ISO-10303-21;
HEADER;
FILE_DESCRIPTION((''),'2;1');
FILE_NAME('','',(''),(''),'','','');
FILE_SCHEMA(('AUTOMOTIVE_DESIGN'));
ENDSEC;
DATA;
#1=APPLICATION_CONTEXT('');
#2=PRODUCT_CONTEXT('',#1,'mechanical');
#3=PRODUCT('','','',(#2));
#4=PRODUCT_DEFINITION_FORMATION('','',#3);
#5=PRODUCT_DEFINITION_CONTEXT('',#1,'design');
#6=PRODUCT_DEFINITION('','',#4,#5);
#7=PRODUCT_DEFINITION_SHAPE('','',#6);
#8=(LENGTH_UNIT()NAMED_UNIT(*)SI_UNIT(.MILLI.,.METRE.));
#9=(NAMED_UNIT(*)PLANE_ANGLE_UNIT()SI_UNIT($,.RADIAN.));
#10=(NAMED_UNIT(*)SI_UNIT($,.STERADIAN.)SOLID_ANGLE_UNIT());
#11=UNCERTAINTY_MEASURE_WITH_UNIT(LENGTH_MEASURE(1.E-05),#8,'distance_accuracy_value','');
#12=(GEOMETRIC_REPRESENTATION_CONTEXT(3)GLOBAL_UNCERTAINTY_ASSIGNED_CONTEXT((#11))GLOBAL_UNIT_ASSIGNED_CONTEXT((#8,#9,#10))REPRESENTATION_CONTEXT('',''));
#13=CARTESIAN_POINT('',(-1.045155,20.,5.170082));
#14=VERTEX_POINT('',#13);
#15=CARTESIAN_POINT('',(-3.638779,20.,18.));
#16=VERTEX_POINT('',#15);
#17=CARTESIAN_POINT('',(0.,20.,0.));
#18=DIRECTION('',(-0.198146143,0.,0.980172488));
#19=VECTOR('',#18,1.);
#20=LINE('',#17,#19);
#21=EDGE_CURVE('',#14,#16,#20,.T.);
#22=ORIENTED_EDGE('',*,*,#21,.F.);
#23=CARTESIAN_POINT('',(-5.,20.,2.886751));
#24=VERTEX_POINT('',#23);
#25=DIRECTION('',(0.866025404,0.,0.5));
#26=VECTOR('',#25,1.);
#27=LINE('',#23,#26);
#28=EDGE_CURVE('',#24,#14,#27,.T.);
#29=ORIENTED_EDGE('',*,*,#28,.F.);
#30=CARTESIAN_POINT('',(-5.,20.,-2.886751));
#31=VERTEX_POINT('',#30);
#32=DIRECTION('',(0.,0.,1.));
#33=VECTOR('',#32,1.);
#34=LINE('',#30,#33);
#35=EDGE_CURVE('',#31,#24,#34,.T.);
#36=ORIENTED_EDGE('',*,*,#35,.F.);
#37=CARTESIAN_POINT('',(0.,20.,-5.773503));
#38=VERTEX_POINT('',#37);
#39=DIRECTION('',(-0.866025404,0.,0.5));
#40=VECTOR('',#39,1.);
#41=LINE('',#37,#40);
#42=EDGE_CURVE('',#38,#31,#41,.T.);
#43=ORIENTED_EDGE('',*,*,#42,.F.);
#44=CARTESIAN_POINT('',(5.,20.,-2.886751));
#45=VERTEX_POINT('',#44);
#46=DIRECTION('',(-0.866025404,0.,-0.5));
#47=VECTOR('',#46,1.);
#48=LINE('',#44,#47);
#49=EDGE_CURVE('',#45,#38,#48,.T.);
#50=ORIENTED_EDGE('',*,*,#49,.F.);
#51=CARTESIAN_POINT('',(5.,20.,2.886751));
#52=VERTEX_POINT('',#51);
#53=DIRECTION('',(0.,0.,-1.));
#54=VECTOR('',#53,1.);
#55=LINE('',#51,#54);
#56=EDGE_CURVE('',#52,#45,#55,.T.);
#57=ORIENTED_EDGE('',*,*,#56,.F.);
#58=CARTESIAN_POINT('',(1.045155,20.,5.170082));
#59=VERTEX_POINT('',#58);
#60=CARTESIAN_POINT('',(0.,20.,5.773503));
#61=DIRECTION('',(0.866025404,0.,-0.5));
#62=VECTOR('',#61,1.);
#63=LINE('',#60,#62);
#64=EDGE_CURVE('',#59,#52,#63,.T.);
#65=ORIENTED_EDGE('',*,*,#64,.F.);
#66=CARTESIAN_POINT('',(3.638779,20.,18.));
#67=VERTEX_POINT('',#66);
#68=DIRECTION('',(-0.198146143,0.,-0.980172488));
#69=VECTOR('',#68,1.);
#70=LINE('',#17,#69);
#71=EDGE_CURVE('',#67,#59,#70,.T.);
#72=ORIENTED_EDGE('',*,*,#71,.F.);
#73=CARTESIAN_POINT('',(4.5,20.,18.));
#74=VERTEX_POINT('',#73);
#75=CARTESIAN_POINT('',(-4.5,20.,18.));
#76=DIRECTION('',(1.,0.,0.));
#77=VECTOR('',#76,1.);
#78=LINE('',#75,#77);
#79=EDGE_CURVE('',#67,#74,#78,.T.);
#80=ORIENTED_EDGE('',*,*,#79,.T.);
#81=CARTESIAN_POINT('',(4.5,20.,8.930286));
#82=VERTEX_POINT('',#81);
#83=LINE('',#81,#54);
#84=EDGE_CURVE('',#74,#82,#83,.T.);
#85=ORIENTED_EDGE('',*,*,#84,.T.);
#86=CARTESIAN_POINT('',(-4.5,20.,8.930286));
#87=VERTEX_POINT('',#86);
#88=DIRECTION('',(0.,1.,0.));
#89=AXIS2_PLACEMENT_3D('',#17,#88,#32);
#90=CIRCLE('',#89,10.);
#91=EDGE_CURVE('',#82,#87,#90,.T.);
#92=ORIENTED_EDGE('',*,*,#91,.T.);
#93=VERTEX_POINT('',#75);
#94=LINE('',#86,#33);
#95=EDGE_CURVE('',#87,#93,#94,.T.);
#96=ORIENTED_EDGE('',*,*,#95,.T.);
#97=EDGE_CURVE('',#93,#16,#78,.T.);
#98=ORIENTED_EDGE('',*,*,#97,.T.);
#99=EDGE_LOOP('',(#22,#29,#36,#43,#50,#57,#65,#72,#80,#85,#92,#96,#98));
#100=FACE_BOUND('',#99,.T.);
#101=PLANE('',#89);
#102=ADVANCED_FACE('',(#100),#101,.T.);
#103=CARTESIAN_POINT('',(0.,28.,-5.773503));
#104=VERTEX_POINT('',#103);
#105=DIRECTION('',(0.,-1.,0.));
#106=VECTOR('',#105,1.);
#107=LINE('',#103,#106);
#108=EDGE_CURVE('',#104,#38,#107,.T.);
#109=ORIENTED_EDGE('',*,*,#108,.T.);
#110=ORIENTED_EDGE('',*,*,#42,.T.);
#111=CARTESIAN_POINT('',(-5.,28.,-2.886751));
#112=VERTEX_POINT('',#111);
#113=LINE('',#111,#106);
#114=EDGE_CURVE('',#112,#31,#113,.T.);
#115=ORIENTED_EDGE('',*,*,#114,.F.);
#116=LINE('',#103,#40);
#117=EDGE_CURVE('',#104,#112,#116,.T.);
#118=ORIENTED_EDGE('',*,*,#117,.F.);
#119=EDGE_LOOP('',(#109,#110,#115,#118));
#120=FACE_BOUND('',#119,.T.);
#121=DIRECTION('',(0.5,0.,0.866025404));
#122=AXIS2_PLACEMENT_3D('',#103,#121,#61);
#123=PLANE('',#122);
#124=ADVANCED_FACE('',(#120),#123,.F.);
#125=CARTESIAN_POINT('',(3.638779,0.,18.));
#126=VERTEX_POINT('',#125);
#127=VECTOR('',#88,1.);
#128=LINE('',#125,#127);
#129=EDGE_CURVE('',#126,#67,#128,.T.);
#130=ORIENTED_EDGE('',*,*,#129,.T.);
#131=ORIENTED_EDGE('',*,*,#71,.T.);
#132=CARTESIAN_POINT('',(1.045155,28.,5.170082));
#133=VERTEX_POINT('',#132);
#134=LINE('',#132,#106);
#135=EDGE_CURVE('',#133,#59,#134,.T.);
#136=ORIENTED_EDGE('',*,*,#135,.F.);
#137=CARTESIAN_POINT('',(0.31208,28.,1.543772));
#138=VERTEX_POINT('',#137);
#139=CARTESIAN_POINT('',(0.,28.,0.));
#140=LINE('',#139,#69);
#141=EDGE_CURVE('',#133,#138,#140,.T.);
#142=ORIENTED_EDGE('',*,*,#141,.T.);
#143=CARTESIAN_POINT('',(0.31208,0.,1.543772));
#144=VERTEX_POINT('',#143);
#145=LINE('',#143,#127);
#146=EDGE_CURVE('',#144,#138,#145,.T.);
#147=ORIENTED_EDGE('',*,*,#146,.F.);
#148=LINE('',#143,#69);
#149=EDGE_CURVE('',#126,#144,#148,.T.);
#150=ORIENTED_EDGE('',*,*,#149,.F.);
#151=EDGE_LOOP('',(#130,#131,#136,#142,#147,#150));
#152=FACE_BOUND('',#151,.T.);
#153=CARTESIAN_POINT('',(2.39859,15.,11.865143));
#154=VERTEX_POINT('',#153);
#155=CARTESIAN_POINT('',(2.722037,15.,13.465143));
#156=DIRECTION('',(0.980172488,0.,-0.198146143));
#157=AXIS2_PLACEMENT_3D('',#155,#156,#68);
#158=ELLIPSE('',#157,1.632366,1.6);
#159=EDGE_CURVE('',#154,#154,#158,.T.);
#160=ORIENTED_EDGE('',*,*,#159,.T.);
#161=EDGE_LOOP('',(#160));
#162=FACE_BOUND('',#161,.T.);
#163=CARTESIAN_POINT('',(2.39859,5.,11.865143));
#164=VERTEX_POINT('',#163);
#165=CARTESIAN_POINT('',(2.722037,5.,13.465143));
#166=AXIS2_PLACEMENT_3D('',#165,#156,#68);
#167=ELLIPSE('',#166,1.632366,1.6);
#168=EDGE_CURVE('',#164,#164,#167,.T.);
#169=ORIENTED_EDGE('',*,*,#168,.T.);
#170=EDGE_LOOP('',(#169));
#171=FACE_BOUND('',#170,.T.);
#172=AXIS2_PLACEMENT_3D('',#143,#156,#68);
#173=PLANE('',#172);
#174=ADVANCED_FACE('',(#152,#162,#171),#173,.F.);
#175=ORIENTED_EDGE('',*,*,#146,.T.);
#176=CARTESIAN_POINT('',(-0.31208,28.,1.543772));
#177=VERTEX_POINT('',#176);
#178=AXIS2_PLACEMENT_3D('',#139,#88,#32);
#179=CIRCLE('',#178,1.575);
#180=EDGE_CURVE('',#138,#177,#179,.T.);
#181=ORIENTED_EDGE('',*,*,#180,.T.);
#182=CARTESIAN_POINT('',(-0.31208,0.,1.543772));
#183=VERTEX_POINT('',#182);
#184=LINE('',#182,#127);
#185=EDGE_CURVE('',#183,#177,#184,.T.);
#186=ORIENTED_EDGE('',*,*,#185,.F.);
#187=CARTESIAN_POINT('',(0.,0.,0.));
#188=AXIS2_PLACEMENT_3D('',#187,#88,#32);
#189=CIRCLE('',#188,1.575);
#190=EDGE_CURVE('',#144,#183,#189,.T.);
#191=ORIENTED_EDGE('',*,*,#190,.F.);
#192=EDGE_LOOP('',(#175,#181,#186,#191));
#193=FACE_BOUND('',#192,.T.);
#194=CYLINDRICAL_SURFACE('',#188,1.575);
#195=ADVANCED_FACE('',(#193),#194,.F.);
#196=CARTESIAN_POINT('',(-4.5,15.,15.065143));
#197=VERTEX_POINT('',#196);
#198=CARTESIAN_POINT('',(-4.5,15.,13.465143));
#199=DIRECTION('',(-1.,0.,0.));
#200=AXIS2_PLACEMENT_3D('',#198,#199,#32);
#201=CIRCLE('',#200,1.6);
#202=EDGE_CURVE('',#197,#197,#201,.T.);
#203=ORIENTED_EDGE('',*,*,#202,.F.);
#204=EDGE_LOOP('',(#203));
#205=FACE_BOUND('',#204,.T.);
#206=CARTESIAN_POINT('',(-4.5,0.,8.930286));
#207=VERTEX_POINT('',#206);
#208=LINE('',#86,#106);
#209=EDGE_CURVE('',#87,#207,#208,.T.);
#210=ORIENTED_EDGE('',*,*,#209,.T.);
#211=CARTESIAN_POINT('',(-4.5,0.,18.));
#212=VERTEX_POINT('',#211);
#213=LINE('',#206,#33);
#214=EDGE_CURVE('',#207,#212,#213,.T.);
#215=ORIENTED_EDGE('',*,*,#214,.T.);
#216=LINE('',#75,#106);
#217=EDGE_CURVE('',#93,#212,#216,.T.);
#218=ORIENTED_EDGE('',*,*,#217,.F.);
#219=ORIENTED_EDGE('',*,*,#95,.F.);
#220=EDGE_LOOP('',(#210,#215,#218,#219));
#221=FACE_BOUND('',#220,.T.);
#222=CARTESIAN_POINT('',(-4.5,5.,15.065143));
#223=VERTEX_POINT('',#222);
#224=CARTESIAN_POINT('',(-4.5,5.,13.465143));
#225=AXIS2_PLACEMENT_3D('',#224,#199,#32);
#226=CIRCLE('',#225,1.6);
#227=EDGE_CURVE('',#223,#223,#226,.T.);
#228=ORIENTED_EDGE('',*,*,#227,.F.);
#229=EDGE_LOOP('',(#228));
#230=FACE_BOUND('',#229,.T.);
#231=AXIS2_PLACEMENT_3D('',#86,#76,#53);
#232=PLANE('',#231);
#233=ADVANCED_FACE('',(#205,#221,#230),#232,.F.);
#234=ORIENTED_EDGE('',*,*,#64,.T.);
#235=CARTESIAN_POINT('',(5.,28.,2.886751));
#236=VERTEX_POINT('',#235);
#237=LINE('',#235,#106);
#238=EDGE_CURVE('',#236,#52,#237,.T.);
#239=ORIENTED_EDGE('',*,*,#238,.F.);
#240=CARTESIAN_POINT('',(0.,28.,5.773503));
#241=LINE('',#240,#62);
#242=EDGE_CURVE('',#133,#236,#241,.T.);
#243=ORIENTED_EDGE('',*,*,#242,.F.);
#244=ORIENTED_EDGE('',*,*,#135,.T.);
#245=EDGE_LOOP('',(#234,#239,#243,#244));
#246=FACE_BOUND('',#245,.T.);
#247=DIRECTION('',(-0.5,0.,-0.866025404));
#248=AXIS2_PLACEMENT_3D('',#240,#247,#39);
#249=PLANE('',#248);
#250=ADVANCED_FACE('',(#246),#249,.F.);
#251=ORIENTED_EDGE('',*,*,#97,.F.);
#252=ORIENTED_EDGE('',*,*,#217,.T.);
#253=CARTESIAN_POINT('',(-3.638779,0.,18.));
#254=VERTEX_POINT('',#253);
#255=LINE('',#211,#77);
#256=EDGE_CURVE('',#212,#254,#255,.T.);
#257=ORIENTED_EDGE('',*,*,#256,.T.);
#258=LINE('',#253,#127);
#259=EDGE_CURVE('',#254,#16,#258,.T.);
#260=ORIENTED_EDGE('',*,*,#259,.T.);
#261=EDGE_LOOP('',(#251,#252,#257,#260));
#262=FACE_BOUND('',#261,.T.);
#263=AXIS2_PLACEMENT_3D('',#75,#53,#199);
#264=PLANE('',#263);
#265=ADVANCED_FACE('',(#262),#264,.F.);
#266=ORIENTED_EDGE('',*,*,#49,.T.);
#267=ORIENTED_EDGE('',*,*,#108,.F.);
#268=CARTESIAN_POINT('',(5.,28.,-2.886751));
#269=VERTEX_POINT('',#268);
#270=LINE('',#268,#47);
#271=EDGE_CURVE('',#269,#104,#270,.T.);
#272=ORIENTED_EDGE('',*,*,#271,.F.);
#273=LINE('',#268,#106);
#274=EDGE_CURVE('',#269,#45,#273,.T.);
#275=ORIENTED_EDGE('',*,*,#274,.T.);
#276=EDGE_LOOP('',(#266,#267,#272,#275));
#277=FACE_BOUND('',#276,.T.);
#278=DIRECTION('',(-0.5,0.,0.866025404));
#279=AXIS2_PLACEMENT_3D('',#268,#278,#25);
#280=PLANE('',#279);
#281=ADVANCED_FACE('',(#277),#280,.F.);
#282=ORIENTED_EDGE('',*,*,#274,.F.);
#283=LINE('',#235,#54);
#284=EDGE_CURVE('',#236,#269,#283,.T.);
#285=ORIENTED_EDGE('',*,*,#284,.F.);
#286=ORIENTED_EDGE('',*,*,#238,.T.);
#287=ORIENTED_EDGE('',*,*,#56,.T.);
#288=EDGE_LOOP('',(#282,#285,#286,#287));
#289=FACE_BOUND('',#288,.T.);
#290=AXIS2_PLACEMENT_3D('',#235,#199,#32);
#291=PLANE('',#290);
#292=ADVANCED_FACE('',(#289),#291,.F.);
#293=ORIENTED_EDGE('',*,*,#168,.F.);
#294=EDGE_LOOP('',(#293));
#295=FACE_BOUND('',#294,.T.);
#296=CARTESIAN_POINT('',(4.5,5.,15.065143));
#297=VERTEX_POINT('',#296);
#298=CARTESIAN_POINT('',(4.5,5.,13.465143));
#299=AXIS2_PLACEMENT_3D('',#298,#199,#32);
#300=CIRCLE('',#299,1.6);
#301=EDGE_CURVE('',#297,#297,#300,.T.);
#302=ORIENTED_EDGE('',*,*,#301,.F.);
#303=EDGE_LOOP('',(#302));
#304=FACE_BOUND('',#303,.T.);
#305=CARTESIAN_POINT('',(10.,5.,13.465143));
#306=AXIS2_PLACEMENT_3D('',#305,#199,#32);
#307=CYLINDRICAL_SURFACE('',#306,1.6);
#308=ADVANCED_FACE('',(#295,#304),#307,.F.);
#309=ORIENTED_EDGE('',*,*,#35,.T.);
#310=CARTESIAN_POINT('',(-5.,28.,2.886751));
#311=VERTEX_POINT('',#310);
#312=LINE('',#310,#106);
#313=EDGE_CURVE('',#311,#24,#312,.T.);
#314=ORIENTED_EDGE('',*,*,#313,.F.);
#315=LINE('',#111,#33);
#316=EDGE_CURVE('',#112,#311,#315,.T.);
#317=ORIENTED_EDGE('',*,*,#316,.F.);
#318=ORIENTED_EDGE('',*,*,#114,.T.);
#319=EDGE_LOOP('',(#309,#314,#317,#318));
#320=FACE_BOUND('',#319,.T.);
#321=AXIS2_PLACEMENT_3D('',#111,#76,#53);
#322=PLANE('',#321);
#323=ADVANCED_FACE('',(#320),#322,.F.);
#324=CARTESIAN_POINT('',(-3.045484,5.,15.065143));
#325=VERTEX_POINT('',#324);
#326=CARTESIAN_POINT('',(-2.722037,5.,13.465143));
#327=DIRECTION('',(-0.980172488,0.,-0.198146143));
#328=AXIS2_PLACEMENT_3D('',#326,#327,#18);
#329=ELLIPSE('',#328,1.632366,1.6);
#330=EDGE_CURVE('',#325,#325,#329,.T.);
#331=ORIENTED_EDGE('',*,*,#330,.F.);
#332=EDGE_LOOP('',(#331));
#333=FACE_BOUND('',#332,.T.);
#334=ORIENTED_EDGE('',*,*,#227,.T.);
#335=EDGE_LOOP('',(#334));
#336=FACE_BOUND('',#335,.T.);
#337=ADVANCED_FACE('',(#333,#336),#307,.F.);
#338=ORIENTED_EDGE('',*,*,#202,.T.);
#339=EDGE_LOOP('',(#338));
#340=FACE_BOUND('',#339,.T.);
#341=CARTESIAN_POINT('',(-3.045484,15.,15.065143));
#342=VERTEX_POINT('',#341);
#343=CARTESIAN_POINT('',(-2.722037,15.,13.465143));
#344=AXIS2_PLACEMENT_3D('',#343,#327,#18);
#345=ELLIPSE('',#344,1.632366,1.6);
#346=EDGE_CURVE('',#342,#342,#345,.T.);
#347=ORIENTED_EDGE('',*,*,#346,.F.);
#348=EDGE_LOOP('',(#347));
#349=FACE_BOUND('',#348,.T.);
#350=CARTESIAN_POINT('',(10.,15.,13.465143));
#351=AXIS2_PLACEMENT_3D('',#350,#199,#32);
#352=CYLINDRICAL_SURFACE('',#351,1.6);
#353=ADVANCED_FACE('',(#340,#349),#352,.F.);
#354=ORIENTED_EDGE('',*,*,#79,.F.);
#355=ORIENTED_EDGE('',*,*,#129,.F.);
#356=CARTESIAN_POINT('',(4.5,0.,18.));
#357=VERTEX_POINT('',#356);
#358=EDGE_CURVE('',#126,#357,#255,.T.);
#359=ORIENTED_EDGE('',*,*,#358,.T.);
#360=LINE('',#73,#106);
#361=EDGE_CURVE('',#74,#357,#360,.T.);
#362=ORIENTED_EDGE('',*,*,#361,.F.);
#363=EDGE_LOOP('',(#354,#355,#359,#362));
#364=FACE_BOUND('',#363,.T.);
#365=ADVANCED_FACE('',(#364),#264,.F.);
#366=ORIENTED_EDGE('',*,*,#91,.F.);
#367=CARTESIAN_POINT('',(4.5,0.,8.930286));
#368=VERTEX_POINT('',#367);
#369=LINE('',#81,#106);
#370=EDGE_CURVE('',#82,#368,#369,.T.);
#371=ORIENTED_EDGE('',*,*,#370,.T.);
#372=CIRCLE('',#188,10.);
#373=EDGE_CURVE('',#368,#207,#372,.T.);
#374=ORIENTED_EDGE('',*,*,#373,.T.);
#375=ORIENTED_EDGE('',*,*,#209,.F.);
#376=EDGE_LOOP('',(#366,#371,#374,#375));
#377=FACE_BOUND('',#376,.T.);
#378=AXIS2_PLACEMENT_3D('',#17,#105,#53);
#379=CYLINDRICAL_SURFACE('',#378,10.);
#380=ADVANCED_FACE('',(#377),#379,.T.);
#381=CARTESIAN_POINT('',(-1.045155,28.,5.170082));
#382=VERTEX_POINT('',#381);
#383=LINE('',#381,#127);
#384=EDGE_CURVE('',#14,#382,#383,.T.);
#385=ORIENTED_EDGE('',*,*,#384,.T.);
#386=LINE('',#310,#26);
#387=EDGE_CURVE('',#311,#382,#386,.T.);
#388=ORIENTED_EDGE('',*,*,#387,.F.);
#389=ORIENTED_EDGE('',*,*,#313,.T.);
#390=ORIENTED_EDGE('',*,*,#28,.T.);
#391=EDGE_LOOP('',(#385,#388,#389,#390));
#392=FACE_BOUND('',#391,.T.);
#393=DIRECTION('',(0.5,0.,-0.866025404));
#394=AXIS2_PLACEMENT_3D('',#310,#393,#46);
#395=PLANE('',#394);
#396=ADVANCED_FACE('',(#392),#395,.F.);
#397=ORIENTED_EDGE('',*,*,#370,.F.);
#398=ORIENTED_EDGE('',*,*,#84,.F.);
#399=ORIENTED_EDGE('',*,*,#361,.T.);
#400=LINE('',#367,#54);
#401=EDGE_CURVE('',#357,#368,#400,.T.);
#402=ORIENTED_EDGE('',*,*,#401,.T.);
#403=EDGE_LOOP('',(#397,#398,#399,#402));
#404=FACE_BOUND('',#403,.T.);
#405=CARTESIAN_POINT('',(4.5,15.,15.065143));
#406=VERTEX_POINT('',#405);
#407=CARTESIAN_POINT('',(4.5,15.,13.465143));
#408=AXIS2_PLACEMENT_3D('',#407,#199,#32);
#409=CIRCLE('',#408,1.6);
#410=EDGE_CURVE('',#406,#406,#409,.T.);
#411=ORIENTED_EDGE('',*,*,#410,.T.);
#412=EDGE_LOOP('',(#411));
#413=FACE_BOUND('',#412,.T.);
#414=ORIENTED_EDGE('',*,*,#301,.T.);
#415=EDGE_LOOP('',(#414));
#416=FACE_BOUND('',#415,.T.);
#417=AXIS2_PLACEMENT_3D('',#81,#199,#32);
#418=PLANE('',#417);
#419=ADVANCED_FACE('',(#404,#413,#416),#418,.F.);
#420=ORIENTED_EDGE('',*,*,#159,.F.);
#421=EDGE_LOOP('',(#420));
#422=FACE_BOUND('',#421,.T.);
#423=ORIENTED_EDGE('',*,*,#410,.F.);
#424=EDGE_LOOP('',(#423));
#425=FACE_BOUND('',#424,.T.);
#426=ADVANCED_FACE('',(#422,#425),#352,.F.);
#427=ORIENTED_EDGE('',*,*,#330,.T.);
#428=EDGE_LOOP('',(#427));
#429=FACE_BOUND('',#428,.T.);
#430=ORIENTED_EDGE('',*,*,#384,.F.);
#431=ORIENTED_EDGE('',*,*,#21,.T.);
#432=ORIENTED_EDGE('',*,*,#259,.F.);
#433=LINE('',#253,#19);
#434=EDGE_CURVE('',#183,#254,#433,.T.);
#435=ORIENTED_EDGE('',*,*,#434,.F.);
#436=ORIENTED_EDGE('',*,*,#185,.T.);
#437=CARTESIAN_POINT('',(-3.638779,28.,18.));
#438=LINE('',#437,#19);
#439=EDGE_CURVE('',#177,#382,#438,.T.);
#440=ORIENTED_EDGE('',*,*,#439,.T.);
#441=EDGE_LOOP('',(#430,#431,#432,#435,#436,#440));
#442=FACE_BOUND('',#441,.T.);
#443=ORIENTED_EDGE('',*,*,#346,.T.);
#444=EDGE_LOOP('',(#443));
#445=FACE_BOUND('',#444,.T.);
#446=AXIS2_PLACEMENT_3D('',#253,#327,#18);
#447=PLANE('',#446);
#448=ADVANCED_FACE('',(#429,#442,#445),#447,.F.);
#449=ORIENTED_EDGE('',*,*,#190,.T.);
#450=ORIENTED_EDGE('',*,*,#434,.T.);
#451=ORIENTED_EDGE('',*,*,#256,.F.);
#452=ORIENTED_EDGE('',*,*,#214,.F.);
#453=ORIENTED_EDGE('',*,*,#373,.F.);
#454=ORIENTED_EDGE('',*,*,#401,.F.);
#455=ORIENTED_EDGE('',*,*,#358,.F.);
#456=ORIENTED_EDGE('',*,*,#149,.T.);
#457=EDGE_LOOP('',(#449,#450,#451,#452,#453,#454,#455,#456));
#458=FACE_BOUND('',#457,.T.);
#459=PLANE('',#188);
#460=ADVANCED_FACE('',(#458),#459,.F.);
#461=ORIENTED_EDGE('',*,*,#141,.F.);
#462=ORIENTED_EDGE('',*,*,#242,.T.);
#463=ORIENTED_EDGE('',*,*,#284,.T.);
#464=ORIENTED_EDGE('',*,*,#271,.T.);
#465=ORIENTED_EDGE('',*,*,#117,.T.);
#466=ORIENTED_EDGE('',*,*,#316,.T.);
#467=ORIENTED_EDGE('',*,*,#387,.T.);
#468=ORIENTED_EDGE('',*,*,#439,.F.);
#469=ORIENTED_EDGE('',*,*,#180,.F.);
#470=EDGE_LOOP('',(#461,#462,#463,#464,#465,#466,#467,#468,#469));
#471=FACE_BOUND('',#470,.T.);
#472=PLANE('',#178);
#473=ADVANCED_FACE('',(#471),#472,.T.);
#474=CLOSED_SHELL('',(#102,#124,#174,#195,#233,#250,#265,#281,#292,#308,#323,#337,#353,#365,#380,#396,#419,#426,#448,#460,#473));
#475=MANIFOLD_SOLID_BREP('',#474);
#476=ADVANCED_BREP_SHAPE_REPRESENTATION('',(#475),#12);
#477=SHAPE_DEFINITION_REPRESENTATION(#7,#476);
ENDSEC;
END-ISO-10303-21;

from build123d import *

# Parameters (mm, degrees)
EXTRUDE_1_DEPTH     = 20
EXTRUDE_2_DEPTH     = 8
CUT_EXTRUDE_1_DEPTH = 35.756294394
SKETCH_4_R          = 1.6
CUT_EXTRUDE_2_DEPTH = 37.307712679


with BuildPart() as part:
    # ｽｹｯﾁ1 → ﾎﾞｽ - 押し出し1 (new body)
    with BuildSketch(Plane(origin=(0, 0, 0), x_dir=(1, 0, 0), z_dir=(0, 1, 0))):
        with BuildLine():
            Line((-4.5, -8.93028555), (-4.5, -18))
            Line((-4.5, -18), (4.5, -18))
            Line((4.5, -18), (4.5, -8.93028555))
            ThreePointArc((4.5, -8.93028555), (0, 10), (-4.5, -8.93028555))
        make_face()
    extrude(amount=EXTRUDE_1_DEPTH)

    # ｽｹｯﾁ2 → ﾎﾞｽ - 押し出し2 (add)
    with BuildSketch(Plane(origin=(0, 20, 0), x_dir=(1, 0, 0), z_dir=(0, 1, 0))):
        Polygon((0, 5.773502692), (-5, 2.886751346), (-5, -2.886751346), (0, -5.773502692), (5, -2.886751346), (5, 2.886751346), align=None)
    extrude(amount=EXTRUDE_2_DEPTH)

    # ｽｹｯﾁ3 → ｶｯﾄ - 押し出し1 (cut, through all)
    with BuildSketch(Plane(origin=(0, 28, 0), x_dir=(1, 0, 0), z_dir=(0, 1, 0))):
        with BuildLine():
            Line((-3.638778503, -18), (-0.312080176, -1.543771668))
            ThreePointArc((-0.312080176, -1.543771668), (0, 1.575), (0.312080176, -1.543771668))
            Line((0.312080176, -1.543771668), (3.638778503, -18))
            ThreePointArc((3.638778503, -18), (0, -18.364114708), (-3.638778503, -18))
        make_face()
    extrude(amount=-CUT_EXTRUDE_1_DEPTH, mode=Mode.SUBTRACT)

    # ｽｹｯﾁ4 → ｶｯﾄ - 押し出し2 (cut, through all)
    with BuildSketch(Plane.ZY.offset(4.5)):
        with Locations((13.465142775, 15)):
            Circle(SKETCH_4_R)
        with Locations((13.465142775, 5)):
            Circle(SKETCH_4_R)
    extrude(amount=-CUT_EXTRUDE_2_DEPTH, mode=Mode.SUBTRACT)


solid = part.part
